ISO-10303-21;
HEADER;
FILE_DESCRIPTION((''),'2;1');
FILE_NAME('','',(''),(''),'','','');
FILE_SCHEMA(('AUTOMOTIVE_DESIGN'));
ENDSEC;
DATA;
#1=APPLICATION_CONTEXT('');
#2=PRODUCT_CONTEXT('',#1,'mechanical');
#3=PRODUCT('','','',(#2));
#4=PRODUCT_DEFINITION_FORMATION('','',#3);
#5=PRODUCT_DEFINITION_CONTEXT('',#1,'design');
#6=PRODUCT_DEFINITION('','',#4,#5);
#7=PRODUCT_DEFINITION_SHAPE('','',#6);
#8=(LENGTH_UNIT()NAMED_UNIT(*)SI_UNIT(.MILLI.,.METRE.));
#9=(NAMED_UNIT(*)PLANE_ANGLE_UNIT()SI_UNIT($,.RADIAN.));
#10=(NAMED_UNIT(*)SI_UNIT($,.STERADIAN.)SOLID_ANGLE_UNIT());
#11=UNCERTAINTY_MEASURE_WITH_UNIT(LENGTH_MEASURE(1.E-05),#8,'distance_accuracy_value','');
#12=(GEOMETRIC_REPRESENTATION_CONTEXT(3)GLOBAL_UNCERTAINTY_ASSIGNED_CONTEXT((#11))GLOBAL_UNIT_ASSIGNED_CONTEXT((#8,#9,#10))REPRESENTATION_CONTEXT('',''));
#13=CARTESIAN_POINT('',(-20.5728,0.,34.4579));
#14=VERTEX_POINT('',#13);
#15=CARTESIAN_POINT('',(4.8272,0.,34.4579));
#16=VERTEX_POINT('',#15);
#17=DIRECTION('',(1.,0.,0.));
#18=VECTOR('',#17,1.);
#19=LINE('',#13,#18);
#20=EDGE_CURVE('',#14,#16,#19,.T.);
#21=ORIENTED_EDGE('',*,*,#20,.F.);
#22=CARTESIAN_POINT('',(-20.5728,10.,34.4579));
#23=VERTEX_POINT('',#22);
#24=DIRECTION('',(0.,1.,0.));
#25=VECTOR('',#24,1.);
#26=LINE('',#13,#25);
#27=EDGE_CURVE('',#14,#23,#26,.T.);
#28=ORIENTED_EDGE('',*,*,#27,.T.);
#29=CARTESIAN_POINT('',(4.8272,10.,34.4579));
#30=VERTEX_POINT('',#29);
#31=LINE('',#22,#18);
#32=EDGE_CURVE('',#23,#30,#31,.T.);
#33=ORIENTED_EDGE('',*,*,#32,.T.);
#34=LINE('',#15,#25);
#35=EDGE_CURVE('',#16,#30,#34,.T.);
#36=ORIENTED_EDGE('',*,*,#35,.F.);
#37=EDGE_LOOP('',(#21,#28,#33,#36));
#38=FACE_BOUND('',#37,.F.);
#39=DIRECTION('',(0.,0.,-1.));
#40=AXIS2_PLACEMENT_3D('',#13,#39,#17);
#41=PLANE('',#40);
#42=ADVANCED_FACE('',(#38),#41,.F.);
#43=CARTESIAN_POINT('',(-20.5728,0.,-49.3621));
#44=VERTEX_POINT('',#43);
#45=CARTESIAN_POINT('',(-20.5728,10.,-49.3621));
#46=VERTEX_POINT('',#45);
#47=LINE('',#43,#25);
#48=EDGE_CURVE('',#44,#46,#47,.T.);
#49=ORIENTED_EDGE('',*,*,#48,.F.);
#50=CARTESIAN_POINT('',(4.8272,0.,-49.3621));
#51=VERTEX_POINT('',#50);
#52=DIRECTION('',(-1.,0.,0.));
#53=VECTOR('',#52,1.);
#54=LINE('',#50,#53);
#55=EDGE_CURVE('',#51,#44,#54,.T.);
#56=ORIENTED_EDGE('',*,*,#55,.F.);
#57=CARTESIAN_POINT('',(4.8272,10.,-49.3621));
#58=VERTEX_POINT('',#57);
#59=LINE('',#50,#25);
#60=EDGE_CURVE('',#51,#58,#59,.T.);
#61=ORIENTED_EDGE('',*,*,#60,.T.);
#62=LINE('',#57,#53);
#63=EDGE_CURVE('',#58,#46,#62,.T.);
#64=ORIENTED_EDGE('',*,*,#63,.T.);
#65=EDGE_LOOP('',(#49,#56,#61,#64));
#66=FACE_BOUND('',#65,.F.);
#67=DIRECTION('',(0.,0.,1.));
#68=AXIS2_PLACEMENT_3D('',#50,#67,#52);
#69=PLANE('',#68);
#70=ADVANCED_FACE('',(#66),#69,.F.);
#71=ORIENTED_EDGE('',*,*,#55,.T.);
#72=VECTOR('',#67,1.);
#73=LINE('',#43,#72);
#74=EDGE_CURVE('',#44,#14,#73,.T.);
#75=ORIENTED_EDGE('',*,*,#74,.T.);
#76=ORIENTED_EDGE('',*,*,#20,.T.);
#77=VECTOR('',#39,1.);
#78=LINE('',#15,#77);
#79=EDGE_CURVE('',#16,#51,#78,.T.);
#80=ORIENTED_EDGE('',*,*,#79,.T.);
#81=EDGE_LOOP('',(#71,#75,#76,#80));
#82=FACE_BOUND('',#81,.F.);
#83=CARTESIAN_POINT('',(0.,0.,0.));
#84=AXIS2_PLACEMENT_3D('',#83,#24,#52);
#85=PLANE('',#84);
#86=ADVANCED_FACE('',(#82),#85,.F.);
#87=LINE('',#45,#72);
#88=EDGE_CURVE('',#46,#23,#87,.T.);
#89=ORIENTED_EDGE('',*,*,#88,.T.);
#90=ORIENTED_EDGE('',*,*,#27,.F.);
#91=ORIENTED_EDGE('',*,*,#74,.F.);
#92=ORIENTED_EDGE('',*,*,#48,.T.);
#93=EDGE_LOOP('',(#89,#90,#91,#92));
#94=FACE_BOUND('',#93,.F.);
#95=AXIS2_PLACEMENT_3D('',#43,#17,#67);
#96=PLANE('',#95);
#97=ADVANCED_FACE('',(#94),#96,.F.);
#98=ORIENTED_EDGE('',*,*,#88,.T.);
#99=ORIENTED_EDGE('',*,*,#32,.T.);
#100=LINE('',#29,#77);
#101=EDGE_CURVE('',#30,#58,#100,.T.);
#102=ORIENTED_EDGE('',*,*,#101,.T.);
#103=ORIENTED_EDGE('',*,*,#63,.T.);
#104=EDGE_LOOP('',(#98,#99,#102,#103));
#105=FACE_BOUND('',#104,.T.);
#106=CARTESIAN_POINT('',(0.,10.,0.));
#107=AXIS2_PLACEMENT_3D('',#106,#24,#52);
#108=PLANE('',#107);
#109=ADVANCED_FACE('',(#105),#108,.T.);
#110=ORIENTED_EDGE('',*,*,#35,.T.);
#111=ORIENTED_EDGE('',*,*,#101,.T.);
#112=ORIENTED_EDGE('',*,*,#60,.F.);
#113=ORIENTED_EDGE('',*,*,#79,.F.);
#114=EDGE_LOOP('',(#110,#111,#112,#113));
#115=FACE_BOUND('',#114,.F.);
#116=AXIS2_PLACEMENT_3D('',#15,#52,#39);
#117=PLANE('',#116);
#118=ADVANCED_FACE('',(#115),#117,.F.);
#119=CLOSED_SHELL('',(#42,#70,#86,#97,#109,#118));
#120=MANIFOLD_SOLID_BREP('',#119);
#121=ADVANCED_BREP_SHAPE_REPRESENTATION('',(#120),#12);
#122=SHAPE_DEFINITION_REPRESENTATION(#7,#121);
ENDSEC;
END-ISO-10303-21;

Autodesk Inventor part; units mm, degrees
ref_plane "YZ Plane" through (0, 0, 0) normal (1, 0, 0) x (0, 1, 0)
ref_plane "XZ Plane" through (0, 0, 0) normal (0, 1, 0) x (-1, 0, 0)
ref_plane "XY Plane" through (0, 0, 0) normal (0, 0, 1) x (1, 0, 0)
sketch "Sketch1" plane through (0, 0, 0) normal (0, 1, 0) x (-1, 0, 0)
  line L0 (20.5728, 34.4579) -> (-4.8272, 34.4579)
  line L1 (-4.8272, 34.4579) -> (-4.8272, -49.3621)
  line L2 (-4.8272, -49.3621) -> (20.5728, -49.3621)
  line L3 (20.5728, -49.3621) -> (20.5728, 34.4579)
  point P0 (0, 0)
  dimension "d0" = 83.82
  dimension "d1" = 25.4
extrude "Extrusion1" add sketch "Sketch1" along normal blind 10
properties part number "YagiOld"
